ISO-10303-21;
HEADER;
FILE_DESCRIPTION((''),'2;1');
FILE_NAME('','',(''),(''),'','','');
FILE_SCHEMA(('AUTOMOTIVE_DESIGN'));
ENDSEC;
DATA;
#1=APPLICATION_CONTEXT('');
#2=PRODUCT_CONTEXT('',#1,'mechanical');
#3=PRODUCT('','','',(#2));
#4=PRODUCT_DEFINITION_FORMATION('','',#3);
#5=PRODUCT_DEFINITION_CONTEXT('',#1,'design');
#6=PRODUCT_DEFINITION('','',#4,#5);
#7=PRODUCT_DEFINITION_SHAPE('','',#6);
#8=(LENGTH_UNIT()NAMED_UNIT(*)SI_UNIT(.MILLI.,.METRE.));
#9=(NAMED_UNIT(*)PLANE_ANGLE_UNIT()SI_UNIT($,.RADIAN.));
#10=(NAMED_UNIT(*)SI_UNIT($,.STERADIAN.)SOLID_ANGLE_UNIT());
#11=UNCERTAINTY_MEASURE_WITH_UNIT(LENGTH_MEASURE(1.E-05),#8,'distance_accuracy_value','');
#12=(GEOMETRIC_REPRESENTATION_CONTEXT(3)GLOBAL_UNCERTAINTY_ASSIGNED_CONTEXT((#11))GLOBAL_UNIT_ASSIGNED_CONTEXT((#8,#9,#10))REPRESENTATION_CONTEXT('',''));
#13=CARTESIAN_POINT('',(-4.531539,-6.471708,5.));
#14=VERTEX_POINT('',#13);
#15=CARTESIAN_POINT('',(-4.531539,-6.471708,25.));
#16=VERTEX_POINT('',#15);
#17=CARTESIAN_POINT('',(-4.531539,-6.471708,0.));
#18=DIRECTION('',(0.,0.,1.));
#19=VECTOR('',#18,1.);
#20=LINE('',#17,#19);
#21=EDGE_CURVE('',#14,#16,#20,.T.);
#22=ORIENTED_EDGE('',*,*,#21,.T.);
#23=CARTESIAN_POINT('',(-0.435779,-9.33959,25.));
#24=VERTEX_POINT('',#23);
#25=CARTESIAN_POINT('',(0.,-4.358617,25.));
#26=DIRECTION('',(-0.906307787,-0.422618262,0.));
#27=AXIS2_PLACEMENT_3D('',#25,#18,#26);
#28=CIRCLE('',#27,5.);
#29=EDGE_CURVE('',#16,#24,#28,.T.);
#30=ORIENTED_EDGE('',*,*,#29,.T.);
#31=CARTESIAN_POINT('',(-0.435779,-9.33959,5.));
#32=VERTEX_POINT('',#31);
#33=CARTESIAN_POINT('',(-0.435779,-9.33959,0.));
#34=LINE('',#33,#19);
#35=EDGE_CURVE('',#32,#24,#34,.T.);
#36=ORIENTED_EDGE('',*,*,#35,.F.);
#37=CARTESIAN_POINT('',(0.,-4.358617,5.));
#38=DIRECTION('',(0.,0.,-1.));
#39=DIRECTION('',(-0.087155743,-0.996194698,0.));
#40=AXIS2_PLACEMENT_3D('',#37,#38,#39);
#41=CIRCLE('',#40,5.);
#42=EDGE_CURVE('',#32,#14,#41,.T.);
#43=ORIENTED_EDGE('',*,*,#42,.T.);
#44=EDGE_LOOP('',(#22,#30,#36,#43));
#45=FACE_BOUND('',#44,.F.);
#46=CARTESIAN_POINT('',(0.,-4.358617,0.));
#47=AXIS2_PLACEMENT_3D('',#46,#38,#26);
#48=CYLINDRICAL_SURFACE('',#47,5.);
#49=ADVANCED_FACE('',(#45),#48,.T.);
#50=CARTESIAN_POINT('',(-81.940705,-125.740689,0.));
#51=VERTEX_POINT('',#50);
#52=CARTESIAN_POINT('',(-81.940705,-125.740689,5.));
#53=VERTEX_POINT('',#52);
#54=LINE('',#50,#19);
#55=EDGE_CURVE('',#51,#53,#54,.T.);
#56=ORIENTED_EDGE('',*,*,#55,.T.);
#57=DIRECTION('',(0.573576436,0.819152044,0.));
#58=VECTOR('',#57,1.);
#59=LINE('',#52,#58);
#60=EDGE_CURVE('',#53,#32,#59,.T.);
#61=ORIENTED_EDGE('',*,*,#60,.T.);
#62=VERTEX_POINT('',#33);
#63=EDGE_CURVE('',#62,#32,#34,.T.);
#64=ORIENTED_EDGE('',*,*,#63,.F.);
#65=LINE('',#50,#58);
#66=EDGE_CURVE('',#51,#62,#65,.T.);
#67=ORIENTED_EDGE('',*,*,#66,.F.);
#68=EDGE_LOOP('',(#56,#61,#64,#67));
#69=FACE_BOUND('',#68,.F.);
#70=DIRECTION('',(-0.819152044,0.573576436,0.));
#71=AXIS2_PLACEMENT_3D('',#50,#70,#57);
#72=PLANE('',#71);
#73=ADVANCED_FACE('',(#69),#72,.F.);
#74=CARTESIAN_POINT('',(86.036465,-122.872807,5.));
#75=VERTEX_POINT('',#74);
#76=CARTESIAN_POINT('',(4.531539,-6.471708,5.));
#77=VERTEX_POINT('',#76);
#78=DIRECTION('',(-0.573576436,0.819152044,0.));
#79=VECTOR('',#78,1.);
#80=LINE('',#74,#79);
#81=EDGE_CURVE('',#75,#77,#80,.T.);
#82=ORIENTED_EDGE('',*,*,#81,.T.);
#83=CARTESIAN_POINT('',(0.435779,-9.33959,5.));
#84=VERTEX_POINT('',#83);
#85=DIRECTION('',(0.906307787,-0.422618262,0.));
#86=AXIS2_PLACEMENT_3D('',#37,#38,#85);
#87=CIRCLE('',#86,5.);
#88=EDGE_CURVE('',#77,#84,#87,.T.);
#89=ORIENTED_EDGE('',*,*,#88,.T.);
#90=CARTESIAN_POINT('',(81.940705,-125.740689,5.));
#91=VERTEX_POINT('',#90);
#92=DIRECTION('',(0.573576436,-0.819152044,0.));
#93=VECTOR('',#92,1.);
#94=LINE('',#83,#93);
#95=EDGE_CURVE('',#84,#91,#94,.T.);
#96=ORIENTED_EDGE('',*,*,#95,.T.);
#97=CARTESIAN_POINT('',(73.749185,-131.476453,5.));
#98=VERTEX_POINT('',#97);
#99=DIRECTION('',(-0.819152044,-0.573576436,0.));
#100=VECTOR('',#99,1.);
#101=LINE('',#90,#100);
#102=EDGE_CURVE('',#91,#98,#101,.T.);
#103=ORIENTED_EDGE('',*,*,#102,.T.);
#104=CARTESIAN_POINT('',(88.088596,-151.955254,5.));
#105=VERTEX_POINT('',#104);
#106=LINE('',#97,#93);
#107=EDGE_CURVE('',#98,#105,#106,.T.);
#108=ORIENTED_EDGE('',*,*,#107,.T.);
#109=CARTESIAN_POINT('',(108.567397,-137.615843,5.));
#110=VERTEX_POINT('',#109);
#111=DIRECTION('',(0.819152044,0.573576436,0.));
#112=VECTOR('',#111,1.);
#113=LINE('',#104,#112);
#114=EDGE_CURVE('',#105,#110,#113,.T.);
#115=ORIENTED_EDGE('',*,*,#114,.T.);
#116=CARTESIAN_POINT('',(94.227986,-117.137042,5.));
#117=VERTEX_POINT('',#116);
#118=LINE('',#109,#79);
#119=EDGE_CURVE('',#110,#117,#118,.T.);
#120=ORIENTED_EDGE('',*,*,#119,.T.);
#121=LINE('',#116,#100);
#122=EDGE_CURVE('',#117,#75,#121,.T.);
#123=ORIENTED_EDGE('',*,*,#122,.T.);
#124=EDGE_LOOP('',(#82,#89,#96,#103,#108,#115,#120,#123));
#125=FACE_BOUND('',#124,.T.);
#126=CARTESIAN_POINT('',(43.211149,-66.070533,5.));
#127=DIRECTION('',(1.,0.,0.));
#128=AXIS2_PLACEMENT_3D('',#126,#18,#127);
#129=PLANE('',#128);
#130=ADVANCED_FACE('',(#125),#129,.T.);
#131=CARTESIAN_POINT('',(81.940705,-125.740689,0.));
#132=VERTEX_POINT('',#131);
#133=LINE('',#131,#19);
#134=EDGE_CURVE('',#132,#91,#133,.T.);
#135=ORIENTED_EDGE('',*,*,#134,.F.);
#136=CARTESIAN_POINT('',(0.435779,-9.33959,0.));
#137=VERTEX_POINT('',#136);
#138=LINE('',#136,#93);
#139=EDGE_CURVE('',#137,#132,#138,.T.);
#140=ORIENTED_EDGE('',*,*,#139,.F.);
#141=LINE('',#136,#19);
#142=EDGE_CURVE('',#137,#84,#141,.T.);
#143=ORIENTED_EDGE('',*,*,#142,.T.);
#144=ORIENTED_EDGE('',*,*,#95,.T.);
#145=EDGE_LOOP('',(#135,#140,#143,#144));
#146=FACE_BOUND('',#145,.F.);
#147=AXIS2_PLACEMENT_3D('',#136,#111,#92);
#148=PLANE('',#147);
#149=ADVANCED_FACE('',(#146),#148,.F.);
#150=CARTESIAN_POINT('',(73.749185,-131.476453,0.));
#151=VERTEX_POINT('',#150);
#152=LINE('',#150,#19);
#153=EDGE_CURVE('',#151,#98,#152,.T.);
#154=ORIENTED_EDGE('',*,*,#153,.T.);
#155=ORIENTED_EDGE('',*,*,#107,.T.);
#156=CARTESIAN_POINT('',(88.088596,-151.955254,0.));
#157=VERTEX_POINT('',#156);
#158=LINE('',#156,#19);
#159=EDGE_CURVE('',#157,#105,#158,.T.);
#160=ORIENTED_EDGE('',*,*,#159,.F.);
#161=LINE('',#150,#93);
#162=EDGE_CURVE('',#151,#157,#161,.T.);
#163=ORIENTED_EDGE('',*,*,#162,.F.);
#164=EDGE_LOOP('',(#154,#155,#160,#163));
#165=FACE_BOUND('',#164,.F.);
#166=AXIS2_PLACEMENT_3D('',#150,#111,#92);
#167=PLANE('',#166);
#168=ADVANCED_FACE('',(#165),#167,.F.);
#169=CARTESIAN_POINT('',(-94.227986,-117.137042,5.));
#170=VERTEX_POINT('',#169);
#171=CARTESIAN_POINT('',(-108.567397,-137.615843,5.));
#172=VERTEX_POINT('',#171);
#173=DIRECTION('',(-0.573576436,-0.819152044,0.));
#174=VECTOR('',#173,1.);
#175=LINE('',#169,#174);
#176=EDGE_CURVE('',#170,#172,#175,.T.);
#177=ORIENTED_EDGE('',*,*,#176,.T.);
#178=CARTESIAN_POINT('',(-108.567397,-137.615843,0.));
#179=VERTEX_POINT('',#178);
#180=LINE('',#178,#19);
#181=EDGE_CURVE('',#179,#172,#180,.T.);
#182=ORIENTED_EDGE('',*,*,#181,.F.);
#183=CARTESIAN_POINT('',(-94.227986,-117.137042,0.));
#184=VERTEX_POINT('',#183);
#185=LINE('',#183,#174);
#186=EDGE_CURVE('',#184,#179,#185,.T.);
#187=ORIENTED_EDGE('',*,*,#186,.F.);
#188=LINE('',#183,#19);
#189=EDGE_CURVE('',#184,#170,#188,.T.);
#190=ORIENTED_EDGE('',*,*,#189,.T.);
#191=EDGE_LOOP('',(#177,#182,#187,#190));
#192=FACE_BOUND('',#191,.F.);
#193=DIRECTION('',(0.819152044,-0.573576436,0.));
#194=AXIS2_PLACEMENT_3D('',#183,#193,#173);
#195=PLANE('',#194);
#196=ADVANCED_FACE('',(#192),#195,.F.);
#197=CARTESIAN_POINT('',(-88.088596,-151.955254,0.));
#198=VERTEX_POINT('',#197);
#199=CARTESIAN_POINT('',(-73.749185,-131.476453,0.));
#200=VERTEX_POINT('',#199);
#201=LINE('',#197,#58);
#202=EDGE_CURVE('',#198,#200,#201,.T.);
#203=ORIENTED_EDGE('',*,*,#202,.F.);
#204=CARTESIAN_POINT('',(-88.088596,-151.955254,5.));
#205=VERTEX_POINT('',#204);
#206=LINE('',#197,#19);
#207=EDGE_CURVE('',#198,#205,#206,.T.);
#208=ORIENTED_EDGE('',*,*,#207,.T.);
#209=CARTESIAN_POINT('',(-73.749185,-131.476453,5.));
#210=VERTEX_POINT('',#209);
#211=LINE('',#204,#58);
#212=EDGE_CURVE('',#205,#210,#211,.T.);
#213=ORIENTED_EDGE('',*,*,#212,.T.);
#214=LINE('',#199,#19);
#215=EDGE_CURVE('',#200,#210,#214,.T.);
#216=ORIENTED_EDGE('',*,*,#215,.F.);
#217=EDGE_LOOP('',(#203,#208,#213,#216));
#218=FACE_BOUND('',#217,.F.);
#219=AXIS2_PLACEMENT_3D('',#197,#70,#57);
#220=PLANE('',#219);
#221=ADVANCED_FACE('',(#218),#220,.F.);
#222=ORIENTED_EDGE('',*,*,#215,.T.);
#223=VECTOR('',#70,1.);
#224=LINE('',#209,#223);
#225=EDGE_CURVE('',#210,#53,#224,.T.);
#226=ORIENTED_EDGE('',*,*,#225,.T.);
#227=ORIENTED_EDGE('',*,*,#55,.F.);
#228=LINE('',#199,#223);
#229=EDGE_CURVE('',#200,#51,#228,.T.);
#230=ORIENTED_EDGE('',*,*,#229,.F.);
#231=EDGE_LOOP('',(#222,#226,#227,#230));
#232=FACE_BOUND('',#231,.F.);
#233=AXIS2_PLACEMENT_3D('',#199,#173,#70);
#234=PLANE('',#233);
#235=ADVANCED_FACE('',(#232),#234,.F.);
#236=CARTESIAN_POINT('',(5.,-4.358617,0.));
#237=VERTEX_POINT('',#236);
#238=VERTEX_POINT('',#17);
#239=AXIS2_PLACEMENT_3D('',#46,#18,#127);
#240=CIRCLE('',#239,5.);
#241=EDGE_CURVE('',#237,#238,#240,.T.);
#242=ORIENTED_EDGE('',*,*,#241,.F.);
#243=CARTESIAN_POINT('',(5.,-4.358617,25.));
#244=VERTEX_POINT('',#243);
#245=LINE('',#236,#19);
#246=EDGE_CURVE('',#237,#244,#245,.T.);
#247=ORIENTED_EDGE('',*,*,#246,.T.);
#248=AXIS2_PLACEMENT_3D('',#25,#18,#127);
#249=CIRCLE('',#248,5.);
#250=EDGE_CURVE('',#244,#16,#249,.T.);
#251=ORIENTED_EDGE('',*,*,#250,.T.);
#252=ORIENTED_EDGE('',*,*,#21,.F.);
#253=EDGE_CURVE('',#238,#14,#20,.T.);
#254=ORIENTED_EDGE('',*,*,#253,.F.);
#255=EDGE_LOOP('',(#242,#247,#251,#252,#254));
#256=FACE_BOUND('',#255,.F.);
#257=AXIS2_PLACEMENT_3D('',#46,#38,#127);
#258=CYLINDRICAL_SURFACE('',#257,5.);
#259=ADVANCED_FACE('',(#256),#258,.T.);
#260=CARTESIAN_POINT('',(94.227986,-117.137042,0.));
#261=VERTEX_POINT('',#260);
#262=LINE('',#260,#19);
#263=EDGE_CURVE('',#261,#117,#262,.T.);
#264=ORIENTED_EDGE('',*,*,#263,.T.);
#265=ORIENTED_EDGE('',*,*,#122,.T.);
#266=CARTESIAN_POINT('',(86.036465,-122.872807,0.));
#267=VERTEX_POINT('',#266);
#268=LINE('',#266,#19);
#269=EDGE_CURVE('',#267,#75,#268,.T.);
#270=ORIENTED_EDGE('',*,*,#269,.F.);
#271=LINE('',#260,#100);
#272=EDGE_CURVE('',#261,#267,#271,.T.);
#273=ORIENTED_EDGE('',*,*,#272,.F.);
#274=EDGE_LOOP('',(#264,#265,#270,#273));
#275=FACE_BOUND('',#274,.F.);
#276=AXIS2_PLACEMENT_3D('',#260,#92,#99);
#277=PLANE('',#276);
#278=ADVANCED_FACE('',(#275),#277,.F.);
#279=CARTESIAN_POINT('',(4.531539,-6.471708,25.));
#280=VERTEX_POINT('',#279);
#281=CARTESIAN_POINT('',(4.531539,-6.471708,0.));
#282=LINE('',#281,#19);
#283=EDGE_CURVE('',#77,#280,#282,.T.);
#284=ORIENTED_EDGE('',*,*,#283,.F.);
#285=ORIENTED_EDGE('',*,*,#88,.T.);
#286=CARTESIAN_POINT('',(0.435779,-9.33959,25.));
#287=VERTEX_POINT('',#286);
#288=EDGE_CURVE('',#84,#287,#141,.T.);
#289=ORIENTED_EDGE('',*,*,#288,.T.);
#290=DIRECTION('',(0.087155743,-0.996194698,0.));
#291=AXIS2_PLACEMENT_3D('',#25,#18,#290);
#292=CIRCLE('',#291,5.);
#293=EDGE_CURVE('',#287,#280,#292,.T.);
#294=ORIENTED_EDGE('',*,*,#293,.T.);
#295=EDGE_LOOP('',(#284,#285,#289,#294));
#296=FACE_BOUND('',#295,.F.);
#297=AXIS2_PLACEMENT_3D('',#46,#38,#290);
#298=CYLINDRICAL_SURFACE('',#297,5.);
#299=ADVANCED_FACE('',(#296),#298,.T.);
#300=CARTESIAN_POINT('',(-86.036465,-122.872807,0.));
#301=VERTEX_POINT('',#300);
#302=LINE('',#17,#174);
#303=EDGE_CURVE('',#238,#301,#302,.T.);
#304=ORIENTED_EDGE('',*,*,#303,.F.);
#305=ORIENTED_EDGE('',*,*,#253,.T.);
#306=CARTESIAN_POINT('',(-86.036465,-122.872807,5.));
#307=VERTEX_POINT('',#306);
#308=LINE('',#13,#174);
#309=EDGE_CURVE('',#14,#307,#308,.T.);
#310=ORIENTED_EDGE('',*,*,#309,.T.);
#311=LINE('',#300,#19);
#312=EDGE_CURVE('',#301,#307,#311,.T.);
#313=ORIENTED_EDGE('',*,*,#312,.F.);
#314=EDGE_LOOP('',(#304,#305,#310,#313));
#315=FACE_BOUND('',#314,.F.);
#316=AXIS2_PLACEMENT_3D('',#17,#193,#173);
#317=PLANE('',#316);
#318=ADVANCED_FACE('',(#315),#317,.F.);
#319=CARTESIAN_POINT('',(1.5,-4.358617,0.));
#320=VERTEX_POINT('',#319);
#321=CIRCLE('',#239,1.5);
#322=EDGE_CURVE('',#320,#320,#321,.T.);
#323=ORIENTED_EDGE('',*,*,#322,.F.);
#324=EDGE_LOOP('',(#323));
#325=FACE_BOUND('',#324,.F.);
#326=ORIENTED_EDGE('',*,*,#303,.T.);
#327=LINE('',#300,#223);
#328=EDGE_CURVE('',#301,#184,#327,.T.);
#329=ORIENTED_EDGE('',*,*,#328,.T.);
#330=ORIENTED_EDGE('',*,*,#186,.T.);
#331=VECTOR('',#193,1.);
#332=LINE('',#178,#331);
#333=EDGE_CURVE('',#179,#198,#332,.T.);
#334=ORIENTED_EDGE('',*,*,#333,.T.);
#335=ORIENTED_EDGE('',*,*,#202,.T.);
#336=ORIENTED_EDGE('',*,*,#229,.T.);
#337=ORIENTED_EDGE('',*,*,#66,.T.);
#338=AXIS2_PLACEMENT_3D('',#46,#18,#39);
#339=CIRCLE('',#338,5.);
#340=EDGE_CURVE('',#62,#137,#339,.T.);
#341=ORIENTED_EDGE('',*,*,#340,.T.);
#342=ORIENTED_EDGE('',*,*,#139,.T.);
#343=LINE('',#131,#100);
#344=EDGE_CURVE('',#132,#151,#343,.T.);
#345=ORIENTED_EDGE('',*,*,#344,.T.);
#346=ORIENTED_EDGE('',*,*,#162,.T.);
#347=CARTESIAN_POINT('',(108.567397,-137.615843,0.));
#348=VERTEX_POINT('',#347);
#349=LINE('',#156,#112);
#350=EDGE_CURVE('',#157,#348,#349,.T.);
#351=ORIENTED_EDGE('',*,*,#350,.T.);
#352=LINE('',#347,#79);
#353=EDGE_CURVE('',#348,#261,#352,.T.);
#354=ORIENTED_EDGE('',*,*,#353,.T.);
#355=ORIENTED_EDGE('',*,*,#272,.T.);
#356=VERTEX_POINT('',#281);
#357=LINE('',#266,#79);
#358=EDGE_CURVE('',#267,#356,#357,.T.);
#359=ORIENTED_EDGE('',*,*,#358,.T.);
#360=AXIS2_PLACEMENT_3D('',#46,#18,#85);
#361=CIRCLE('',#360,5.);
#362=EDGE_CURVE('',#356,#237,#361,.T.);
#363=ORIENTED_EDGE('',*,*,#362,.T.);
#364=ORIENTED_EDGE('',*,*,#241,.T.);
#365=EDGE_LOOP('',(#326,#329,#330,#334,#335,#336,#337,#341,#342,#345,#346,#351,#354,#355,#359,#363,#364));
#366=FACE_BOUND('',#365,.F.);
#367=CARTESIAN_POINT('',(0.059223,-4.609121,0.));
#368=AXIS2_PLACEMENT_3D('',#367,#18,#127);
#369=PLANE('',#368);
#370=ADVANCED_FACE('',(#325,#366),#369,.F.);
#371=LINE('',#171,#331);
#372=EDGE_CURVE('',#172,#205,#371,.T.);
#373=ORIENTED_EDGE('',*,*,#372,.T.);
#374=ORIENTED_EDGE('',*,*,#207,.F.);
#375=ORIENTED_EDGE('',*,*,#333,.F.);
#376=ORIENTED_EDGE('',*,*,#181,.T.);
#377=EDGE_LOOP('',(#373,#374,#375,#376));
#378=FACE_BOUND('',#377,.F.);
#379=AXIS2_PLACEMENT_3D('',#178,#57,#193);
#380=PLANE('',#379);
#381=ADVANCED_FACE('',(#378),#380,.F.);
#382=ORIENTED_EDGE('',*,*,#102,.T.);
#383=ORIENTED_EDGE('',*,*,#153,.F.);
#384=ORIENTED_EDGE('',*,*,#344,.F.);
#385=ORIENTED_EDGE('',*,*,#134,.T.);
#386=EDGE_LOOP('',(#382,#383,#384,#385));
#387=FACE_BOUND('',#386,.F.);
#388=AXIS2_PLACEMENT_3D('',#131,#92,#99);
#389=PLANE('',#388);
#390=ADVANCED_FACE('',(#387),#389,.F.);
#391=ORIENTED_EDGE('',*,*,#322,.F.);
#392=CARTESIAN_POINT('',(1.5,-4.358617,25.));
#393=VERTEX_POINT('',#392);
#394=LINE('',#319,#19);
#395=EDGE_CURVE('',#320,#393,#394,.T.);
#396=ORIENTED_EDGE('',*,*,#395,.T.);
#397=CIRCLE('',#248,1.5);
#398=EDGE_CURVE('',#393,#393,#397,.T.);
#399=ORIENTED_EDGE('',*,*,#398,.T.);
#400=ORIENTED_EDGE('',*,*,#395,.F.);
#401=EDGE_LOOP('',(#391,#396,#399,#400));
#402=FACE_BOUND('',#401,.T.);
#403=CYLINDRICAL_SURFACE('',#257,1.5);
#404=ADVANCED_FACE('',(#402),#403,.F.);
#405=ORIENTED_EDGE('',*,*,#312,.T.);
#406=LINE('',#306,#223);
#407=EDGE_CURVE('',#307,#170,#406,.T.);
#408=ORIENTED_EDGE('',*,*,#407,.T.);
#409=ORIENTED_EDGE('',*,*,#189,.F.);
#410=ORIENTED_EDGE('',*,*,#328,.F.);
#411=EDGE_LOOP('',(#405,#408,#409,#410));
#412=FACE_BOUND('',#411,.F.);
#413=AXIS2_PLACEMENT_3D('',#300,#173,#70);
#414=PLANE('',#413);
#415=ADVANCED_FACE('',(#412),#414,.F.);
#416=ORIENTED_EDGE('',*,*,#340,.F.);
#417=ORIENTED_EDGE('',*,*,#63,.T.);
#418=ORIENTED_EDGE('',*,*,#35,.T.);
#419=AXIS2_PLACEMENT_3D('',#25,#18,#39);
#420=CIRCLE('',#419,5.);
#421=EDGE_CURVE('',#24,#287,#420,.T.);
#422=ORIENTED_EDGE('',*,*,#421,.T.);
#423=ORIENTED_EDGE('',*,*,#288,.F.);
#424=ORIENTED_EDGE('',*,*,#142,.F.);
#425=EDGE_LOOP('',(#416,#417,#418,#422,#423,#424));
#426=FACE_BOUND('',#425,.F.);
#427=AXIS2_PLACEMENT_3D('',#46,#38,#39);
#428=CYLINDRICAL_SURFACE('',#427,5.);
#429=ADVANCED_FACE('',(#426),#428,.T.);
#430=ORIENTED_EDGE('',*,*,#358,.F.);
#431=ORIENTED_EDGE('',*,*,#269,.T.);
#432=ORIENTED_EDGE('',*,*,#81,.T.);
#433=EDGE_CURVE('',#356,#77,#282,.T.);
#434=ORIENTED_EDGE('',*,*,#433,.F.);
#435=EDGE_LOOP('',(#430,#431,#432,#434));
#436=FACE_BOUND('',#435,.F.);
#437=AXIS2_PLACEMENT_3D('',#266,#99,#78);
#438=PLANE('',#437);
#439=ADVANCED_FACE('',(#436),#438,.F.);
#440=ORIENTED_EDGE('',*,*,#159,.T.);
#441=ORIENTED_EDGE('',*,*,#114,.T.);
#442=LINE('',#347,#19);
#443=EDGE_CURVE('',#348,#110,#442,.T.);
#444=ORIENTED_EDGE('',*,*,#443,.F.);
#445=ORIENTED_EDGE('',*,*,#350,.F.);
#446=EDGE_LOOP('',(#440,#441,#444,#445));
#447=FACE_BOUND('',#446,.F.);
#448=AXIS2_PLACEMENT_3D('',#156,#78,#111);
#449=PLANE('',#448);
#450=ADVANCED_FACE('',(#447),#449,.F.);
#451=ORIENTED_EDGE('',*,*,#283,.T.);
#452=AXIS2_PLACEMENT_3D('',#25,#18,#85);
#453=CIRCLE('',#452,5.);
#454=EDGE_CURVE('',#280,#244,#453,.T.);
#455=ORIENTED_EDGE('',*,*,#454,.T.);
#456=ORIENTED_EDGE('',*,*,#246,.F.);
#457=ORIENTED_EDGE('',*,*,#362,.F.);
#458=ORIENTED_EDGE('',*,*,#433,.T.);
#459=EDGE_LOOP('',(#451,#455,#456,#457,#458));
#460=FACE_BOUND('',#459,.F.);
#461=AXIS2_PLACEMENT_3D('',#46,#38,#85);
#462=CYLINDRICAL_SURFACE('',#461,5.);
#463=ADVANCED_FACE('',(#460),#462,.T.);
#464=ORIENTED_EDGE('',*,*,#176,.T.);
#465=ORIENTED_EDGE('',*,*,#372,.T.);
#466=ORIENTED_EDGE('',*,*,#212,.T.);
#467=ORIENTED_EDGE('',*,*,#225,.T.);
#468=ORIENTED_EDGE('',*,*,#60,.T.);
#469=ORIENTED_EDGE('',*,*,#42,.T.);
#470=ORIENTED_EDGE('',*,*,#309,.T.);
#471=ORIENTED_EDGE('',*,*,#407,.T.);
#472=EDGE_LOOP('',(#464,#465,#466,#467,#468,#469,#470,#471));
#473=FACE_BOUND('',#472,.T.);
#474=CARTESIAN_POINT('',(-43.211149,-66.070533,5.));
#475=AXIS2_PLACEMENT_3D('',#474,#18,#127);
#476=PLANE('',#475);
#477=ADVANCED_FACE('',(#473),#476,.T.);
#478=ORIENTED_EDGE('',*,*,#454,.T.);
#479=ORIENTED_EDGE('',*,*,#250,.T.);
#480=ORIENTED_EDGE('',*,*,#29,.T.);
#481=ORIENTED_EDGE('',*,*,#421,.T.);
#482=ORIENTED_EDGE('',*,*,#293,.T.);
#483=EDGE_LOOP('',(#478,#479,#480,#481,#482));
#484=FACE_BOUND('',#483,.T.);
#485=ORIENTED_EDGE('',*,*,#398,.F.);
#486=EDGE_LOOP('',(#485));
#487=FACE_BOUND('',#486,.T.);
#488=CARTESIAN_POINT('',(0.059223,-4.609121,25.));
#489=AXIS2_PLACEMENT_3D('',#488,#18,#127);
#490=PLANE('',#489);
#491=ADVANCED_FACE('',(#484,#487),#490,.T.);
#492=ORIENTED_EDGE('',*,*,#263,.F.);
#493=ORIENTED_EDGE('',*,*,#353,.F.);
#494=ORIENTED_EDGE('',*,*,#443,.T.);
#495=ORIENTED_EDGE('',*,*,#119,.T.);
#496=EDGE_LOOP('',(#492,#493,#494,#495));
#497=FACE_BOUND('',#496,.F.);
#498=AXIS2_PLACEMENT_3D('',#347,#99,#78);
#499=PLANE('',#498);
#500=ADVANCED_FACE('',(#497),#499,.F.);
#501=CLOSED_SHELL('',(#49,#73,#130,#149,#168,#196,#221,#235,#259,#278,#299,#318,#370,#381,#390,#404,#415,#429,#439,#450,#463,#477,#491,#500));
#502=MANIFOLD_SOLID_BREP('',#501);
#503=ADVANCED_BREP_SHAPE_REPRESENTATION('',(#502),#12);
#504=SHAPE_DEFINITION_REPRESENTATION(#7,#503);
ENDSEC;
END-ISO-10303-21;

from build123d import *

# Parameters (mm, degrees)
F1_DEPTH = 5
F0_R     = 1.5
F2_DEPTH = 25


with BuildPart() as f1:
    # F0 (on Top) → F1 (new body)
    with BuildSketch(Plane.XY):
        with BuildLine():
            Line((-4.5315389352, -6.4717082978), (-86.0364654527, -122.8728066433))
            Line((-86.0364654527, -122.8728066433), (-81.9407052312, -125.7406888251))
            Line((-81.9407052312, -125.7406888251), (-0.4357787137, -9.3395904795))
            ThreePointArc((-0.4357787137, -9.3395904795), (-2.8678821818, -8.4543772105), (-4.5315389352, -6.4717082978))
        make_face()
        Polygon((-86.0364654527, -122.8728066433), (-94.2279858955, -117.1370422798), (-108.5673968043, -137.6158433871), (-88.0885956971, -151.9552542958), (-73.7491847883, -131.4764531886), (-81.9407052312, -125.7406888251), align=None)
    extrude(amount=F1_DEPTH)



with BuildPart() as f1b:
    # F0 (on Top) → F1, piece 2 (new body)
    with BuildSketch(Plane.XY):
        with BuildLine():
            ThreePointArc((4.5315389352, -6.4717082978), (2.8678821818, -8.4543772105), (0.4357787137, -9.3395904795))
            Line((0.4357787137, -9.3395904795), (81.9407052312, -125.7406888251))
            Line((81.9407052312, -125.7406888251), (86.0364654527, -122.8728066433))
            Line((86.0364654527, -122.8728066433), (4.5315389352, -6.4717082978))
        make_face()
        Polygon((86.0364654527, -122.8728066433), (81.9407052312, -125.7406888251), (73.7491847883, -131.4764531886), (88.0885956971, -151.9552542958), (108.5673968043, -137.6158433871), (94.2279858955, -117.1370422798), align=None)
    extrude(amount=F1_DEPTH)


with BuildPart() as f1_1:
    add(f1.part)

    add(f1b.part)  # F2 merges F1b
    # F0 (on Top) → F2 (join)
    with BuildSketch(Plane.XY):
        with BuildLine():
            ThreePointArc((5, -4.3586169891), (-1.0821980697, 0.5228630465), (-4.5315389352, -6.4717082978))
            ThreePointArc((-4.5315389352, -6.4717082978), (-2.8678821818, -8.4543772105), (-0.4357787137, -9.3395904795))
            ThreePointArc((-0.4357787137, -9.3395904795), (0, -9.3586169891), (0.4357787137, -9.3395904795))
            ThreePointArc((0.4357787137, -9.3395904795), (2.8678821818, -8.4543772105), (4.5315389352, -6.4717082978))
            ThreePointArc((4.5315389352, -6.4717082978), (4.8814800356, -5.4408150587), (5, -4.3586169891))
        make_face()
        with Locations((0, -4.3586169891)):
            Circle(F0_R, mode=Mode.SUBTRACT)
    extrude(amount=F2_DEPTH)


solid = f1_1.part
